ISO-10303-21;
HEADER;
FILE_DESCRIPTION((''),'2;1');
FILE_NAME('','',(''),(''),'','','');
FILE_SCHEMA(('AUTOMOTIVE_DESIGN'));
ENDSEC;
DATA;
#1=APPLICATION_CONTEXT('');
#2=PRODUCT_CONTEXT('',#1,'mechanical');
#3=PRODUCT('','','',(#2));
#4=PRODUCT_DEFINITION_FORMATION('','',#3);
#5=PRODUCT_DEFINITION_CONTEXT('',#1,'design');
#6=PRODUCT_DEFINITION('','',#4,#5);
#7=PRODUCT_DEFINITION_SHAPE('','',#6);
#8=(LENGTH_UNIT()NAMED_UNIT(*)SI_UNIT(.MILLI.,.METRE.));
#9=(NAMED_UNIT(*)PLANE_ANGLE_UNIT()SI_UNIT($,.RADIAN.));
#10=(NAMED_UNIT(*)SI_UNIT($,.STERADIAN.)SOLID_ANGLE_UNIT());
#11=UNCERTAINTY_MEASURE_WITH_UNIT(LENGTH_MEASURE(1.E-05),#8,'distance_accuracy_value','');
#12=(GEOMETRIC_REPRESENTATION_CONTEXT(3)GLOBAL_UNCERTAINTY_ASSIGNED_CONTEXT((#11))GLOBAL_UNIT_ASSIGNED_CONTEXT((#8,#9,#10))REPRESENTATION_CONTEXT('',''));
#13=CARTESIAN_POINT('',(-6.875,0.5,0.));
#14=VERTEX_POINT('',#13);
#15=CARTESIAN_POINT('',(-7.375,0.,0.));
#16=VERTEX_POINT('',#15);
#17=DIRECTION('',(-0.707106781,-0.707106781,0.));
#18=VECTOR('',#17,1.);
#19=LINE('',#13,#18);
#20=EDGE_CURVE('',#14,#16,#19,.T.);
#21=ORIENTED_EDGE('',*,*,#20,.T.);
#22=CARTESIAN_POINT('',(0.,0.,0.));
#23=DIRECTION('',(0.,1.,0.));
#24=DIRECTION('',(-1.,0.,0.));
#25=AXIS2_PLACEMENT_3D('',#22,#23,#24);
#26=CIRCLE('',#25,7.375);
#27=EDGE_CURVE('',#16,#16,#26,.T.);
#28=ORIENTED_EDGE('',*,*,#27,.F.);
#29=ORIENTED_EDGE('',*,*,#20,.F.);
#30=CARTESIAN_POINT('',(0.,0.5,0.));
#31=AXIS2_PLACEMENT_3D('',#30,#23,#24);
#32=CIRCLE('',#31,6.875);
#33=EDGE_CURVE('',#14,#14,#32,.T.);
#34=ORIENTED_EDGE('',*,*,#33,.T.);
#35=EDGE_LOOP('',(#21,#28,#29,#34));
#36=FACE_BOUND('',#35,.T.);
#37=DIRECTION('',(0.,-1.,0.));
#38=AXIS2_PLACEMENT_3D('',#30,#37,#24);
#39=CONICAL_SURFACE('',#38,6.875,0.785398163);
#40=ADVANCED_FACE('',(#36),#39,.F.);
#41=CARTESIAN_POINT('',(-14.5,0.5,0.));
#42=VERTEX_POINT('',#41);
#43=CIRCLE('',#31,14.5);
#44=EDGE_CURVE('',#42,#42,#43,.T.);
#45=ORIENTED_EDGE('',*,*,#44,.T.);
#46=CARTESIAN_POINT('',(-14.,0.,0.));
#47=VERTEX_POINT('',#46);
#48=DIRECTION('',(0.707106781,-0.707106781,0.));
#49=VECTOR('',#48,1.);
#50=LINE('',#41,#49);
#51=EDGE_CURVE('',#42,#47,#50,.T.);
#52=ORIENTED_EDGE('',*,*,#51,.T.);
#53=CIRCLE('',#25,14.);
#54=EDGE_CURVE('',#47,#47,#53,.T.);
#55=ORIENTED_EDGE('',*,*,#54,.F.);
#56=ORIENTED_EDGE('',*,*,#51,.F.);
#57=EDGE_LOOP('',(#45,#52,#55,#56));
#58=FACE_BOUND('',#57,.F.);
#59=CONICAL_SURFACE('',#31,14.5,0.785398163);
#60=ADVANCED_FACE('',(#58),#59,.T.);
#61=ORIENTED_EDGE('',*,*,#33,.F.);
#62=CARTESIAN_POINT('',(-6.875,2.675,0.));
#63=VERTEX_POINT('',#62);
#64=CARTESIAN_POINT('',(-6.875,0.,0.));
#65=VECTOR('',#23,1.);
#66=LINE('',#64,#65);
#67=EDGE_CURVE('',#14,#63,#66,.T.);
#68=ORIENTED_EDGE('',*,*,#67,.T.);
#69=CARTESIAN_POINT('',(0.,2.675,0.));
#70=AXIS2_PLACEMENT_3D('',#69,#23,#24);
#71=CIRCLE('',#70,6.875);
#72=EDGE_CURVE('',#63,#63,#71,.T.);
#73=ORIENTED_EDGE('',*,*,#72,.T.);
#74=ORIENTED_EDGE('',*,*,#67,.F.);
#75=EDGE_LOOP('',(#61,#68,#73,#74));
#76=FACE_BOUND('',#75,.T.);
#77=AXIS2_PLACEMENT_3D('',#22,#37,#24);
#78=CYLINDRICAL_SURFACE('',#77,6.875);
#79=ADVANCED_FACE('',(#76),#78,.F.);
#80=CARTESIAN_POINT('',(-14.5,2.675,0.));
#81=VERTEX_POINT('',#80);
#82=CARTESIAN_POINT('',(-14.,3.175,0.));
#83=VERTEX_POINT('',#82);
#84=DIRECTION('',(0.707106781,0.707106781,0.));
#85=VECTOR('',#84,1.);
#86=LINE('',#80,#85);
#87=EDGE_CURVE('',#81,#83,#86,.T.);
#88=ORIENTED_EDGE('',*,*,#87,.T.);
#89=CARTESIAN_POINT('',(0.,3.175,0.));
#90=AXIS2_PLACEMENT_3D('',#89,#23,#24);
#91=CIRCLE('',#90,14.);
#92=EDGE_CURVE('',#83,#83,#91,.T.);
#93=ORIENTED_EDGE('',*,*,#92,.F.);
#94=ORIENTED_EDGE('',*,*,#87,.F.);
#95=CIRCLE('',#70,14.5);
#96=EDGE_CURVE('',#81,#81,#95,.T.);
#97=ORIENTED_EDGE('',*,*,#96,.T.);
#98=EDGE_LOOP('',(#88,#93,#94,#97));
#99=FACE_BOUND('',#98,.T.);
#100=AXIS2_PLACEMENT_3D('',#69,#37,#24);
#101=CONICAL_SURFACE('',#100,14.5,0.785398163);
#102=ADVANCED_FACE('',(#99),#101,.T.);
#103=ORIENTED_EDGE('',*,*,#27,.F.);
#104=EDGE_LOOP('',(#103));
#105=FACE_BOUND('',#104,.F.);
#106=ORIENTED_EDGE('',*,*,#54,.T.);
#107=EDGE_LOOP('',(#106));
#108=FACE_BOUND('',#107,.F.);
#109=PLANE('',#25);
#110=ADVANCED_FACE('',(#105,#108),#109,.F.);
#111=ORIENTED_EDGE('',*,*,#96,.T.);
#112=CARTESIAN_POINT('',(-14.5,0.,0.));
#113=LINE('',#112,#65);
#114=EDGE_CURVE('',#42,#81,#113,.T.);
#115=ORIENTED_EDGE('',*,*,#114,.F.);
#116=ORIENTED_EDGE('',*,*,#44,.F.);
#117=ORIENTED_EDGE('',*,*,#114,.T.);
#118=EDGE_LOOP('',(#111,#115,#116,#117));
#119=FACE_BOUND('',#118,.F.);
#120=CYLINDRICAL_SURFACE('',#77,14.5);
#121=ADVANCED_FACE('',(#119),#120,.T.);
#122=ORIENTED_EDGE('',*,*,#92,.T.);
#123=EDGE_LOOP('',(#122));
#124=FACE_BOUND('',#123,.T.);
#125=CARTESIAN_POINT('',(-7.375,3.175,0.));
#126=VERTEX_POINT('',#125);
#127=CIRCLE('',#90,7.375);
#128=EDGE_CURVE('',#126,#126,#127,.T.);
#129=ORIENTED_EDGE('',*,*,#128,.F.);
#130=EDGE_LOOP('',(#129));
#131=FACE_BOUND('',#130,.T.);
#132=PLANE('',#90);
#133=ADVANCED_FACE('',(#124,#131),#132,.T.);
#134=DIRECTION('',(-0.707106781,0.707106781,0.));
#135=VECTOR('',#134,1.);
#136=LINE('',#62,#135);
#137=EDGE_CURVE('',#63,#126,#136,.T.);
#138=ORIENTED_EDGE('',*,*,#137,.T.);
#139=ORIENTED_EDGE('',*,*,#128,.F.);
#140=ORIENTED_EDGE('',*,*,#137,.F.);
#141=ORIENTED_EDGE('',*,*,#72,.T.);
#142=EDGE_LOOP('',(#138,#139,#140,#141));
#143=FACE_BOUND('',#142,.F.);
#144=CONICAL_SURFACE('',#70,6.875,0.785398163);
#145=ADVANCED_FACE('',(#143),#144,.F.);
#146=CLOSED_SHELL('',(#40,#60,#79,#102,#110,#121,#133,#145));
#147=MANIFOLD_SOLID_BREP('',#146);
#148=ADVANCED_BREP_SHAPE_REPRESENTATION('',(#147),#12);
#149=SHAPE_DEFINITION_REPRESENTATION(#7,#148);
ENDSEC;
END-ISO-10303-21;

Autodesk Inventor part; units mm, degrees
ref_plane "YZ Plane" through (0, 0, 0) normal (1, 0, 0) x (0, 1, 0)
ref_plane "XZ Plane" through (0, 0, 0) normal (0, 1, 0) x (-1, 0, 0)
ref_plane "XY Plane" through (0, 0, 0) normal (0, 0, 1) x (1, 0, 0)
sketch "Sketch1" plane through (0, 0, 0) normal (0, 1, 0) x (-1, 0, 0)
  circle A0 centre (0, 0) radius 14.5
  circle A1 centre (0, 0) radius 6.875
  dimension "d0" = 29
  dimension "d1" = 13.75
extrude "Extrusion1" add sketch "Sketch1" along normal blind 3.175
chamfer "Chamfer1" distance 0.5 angle 45 4 edges at (6.875, 3.175, 0) (14.5, 3.175, 0) (14.5, 0, 0) (6.875, 0, 0)
properties part number "Cap"
